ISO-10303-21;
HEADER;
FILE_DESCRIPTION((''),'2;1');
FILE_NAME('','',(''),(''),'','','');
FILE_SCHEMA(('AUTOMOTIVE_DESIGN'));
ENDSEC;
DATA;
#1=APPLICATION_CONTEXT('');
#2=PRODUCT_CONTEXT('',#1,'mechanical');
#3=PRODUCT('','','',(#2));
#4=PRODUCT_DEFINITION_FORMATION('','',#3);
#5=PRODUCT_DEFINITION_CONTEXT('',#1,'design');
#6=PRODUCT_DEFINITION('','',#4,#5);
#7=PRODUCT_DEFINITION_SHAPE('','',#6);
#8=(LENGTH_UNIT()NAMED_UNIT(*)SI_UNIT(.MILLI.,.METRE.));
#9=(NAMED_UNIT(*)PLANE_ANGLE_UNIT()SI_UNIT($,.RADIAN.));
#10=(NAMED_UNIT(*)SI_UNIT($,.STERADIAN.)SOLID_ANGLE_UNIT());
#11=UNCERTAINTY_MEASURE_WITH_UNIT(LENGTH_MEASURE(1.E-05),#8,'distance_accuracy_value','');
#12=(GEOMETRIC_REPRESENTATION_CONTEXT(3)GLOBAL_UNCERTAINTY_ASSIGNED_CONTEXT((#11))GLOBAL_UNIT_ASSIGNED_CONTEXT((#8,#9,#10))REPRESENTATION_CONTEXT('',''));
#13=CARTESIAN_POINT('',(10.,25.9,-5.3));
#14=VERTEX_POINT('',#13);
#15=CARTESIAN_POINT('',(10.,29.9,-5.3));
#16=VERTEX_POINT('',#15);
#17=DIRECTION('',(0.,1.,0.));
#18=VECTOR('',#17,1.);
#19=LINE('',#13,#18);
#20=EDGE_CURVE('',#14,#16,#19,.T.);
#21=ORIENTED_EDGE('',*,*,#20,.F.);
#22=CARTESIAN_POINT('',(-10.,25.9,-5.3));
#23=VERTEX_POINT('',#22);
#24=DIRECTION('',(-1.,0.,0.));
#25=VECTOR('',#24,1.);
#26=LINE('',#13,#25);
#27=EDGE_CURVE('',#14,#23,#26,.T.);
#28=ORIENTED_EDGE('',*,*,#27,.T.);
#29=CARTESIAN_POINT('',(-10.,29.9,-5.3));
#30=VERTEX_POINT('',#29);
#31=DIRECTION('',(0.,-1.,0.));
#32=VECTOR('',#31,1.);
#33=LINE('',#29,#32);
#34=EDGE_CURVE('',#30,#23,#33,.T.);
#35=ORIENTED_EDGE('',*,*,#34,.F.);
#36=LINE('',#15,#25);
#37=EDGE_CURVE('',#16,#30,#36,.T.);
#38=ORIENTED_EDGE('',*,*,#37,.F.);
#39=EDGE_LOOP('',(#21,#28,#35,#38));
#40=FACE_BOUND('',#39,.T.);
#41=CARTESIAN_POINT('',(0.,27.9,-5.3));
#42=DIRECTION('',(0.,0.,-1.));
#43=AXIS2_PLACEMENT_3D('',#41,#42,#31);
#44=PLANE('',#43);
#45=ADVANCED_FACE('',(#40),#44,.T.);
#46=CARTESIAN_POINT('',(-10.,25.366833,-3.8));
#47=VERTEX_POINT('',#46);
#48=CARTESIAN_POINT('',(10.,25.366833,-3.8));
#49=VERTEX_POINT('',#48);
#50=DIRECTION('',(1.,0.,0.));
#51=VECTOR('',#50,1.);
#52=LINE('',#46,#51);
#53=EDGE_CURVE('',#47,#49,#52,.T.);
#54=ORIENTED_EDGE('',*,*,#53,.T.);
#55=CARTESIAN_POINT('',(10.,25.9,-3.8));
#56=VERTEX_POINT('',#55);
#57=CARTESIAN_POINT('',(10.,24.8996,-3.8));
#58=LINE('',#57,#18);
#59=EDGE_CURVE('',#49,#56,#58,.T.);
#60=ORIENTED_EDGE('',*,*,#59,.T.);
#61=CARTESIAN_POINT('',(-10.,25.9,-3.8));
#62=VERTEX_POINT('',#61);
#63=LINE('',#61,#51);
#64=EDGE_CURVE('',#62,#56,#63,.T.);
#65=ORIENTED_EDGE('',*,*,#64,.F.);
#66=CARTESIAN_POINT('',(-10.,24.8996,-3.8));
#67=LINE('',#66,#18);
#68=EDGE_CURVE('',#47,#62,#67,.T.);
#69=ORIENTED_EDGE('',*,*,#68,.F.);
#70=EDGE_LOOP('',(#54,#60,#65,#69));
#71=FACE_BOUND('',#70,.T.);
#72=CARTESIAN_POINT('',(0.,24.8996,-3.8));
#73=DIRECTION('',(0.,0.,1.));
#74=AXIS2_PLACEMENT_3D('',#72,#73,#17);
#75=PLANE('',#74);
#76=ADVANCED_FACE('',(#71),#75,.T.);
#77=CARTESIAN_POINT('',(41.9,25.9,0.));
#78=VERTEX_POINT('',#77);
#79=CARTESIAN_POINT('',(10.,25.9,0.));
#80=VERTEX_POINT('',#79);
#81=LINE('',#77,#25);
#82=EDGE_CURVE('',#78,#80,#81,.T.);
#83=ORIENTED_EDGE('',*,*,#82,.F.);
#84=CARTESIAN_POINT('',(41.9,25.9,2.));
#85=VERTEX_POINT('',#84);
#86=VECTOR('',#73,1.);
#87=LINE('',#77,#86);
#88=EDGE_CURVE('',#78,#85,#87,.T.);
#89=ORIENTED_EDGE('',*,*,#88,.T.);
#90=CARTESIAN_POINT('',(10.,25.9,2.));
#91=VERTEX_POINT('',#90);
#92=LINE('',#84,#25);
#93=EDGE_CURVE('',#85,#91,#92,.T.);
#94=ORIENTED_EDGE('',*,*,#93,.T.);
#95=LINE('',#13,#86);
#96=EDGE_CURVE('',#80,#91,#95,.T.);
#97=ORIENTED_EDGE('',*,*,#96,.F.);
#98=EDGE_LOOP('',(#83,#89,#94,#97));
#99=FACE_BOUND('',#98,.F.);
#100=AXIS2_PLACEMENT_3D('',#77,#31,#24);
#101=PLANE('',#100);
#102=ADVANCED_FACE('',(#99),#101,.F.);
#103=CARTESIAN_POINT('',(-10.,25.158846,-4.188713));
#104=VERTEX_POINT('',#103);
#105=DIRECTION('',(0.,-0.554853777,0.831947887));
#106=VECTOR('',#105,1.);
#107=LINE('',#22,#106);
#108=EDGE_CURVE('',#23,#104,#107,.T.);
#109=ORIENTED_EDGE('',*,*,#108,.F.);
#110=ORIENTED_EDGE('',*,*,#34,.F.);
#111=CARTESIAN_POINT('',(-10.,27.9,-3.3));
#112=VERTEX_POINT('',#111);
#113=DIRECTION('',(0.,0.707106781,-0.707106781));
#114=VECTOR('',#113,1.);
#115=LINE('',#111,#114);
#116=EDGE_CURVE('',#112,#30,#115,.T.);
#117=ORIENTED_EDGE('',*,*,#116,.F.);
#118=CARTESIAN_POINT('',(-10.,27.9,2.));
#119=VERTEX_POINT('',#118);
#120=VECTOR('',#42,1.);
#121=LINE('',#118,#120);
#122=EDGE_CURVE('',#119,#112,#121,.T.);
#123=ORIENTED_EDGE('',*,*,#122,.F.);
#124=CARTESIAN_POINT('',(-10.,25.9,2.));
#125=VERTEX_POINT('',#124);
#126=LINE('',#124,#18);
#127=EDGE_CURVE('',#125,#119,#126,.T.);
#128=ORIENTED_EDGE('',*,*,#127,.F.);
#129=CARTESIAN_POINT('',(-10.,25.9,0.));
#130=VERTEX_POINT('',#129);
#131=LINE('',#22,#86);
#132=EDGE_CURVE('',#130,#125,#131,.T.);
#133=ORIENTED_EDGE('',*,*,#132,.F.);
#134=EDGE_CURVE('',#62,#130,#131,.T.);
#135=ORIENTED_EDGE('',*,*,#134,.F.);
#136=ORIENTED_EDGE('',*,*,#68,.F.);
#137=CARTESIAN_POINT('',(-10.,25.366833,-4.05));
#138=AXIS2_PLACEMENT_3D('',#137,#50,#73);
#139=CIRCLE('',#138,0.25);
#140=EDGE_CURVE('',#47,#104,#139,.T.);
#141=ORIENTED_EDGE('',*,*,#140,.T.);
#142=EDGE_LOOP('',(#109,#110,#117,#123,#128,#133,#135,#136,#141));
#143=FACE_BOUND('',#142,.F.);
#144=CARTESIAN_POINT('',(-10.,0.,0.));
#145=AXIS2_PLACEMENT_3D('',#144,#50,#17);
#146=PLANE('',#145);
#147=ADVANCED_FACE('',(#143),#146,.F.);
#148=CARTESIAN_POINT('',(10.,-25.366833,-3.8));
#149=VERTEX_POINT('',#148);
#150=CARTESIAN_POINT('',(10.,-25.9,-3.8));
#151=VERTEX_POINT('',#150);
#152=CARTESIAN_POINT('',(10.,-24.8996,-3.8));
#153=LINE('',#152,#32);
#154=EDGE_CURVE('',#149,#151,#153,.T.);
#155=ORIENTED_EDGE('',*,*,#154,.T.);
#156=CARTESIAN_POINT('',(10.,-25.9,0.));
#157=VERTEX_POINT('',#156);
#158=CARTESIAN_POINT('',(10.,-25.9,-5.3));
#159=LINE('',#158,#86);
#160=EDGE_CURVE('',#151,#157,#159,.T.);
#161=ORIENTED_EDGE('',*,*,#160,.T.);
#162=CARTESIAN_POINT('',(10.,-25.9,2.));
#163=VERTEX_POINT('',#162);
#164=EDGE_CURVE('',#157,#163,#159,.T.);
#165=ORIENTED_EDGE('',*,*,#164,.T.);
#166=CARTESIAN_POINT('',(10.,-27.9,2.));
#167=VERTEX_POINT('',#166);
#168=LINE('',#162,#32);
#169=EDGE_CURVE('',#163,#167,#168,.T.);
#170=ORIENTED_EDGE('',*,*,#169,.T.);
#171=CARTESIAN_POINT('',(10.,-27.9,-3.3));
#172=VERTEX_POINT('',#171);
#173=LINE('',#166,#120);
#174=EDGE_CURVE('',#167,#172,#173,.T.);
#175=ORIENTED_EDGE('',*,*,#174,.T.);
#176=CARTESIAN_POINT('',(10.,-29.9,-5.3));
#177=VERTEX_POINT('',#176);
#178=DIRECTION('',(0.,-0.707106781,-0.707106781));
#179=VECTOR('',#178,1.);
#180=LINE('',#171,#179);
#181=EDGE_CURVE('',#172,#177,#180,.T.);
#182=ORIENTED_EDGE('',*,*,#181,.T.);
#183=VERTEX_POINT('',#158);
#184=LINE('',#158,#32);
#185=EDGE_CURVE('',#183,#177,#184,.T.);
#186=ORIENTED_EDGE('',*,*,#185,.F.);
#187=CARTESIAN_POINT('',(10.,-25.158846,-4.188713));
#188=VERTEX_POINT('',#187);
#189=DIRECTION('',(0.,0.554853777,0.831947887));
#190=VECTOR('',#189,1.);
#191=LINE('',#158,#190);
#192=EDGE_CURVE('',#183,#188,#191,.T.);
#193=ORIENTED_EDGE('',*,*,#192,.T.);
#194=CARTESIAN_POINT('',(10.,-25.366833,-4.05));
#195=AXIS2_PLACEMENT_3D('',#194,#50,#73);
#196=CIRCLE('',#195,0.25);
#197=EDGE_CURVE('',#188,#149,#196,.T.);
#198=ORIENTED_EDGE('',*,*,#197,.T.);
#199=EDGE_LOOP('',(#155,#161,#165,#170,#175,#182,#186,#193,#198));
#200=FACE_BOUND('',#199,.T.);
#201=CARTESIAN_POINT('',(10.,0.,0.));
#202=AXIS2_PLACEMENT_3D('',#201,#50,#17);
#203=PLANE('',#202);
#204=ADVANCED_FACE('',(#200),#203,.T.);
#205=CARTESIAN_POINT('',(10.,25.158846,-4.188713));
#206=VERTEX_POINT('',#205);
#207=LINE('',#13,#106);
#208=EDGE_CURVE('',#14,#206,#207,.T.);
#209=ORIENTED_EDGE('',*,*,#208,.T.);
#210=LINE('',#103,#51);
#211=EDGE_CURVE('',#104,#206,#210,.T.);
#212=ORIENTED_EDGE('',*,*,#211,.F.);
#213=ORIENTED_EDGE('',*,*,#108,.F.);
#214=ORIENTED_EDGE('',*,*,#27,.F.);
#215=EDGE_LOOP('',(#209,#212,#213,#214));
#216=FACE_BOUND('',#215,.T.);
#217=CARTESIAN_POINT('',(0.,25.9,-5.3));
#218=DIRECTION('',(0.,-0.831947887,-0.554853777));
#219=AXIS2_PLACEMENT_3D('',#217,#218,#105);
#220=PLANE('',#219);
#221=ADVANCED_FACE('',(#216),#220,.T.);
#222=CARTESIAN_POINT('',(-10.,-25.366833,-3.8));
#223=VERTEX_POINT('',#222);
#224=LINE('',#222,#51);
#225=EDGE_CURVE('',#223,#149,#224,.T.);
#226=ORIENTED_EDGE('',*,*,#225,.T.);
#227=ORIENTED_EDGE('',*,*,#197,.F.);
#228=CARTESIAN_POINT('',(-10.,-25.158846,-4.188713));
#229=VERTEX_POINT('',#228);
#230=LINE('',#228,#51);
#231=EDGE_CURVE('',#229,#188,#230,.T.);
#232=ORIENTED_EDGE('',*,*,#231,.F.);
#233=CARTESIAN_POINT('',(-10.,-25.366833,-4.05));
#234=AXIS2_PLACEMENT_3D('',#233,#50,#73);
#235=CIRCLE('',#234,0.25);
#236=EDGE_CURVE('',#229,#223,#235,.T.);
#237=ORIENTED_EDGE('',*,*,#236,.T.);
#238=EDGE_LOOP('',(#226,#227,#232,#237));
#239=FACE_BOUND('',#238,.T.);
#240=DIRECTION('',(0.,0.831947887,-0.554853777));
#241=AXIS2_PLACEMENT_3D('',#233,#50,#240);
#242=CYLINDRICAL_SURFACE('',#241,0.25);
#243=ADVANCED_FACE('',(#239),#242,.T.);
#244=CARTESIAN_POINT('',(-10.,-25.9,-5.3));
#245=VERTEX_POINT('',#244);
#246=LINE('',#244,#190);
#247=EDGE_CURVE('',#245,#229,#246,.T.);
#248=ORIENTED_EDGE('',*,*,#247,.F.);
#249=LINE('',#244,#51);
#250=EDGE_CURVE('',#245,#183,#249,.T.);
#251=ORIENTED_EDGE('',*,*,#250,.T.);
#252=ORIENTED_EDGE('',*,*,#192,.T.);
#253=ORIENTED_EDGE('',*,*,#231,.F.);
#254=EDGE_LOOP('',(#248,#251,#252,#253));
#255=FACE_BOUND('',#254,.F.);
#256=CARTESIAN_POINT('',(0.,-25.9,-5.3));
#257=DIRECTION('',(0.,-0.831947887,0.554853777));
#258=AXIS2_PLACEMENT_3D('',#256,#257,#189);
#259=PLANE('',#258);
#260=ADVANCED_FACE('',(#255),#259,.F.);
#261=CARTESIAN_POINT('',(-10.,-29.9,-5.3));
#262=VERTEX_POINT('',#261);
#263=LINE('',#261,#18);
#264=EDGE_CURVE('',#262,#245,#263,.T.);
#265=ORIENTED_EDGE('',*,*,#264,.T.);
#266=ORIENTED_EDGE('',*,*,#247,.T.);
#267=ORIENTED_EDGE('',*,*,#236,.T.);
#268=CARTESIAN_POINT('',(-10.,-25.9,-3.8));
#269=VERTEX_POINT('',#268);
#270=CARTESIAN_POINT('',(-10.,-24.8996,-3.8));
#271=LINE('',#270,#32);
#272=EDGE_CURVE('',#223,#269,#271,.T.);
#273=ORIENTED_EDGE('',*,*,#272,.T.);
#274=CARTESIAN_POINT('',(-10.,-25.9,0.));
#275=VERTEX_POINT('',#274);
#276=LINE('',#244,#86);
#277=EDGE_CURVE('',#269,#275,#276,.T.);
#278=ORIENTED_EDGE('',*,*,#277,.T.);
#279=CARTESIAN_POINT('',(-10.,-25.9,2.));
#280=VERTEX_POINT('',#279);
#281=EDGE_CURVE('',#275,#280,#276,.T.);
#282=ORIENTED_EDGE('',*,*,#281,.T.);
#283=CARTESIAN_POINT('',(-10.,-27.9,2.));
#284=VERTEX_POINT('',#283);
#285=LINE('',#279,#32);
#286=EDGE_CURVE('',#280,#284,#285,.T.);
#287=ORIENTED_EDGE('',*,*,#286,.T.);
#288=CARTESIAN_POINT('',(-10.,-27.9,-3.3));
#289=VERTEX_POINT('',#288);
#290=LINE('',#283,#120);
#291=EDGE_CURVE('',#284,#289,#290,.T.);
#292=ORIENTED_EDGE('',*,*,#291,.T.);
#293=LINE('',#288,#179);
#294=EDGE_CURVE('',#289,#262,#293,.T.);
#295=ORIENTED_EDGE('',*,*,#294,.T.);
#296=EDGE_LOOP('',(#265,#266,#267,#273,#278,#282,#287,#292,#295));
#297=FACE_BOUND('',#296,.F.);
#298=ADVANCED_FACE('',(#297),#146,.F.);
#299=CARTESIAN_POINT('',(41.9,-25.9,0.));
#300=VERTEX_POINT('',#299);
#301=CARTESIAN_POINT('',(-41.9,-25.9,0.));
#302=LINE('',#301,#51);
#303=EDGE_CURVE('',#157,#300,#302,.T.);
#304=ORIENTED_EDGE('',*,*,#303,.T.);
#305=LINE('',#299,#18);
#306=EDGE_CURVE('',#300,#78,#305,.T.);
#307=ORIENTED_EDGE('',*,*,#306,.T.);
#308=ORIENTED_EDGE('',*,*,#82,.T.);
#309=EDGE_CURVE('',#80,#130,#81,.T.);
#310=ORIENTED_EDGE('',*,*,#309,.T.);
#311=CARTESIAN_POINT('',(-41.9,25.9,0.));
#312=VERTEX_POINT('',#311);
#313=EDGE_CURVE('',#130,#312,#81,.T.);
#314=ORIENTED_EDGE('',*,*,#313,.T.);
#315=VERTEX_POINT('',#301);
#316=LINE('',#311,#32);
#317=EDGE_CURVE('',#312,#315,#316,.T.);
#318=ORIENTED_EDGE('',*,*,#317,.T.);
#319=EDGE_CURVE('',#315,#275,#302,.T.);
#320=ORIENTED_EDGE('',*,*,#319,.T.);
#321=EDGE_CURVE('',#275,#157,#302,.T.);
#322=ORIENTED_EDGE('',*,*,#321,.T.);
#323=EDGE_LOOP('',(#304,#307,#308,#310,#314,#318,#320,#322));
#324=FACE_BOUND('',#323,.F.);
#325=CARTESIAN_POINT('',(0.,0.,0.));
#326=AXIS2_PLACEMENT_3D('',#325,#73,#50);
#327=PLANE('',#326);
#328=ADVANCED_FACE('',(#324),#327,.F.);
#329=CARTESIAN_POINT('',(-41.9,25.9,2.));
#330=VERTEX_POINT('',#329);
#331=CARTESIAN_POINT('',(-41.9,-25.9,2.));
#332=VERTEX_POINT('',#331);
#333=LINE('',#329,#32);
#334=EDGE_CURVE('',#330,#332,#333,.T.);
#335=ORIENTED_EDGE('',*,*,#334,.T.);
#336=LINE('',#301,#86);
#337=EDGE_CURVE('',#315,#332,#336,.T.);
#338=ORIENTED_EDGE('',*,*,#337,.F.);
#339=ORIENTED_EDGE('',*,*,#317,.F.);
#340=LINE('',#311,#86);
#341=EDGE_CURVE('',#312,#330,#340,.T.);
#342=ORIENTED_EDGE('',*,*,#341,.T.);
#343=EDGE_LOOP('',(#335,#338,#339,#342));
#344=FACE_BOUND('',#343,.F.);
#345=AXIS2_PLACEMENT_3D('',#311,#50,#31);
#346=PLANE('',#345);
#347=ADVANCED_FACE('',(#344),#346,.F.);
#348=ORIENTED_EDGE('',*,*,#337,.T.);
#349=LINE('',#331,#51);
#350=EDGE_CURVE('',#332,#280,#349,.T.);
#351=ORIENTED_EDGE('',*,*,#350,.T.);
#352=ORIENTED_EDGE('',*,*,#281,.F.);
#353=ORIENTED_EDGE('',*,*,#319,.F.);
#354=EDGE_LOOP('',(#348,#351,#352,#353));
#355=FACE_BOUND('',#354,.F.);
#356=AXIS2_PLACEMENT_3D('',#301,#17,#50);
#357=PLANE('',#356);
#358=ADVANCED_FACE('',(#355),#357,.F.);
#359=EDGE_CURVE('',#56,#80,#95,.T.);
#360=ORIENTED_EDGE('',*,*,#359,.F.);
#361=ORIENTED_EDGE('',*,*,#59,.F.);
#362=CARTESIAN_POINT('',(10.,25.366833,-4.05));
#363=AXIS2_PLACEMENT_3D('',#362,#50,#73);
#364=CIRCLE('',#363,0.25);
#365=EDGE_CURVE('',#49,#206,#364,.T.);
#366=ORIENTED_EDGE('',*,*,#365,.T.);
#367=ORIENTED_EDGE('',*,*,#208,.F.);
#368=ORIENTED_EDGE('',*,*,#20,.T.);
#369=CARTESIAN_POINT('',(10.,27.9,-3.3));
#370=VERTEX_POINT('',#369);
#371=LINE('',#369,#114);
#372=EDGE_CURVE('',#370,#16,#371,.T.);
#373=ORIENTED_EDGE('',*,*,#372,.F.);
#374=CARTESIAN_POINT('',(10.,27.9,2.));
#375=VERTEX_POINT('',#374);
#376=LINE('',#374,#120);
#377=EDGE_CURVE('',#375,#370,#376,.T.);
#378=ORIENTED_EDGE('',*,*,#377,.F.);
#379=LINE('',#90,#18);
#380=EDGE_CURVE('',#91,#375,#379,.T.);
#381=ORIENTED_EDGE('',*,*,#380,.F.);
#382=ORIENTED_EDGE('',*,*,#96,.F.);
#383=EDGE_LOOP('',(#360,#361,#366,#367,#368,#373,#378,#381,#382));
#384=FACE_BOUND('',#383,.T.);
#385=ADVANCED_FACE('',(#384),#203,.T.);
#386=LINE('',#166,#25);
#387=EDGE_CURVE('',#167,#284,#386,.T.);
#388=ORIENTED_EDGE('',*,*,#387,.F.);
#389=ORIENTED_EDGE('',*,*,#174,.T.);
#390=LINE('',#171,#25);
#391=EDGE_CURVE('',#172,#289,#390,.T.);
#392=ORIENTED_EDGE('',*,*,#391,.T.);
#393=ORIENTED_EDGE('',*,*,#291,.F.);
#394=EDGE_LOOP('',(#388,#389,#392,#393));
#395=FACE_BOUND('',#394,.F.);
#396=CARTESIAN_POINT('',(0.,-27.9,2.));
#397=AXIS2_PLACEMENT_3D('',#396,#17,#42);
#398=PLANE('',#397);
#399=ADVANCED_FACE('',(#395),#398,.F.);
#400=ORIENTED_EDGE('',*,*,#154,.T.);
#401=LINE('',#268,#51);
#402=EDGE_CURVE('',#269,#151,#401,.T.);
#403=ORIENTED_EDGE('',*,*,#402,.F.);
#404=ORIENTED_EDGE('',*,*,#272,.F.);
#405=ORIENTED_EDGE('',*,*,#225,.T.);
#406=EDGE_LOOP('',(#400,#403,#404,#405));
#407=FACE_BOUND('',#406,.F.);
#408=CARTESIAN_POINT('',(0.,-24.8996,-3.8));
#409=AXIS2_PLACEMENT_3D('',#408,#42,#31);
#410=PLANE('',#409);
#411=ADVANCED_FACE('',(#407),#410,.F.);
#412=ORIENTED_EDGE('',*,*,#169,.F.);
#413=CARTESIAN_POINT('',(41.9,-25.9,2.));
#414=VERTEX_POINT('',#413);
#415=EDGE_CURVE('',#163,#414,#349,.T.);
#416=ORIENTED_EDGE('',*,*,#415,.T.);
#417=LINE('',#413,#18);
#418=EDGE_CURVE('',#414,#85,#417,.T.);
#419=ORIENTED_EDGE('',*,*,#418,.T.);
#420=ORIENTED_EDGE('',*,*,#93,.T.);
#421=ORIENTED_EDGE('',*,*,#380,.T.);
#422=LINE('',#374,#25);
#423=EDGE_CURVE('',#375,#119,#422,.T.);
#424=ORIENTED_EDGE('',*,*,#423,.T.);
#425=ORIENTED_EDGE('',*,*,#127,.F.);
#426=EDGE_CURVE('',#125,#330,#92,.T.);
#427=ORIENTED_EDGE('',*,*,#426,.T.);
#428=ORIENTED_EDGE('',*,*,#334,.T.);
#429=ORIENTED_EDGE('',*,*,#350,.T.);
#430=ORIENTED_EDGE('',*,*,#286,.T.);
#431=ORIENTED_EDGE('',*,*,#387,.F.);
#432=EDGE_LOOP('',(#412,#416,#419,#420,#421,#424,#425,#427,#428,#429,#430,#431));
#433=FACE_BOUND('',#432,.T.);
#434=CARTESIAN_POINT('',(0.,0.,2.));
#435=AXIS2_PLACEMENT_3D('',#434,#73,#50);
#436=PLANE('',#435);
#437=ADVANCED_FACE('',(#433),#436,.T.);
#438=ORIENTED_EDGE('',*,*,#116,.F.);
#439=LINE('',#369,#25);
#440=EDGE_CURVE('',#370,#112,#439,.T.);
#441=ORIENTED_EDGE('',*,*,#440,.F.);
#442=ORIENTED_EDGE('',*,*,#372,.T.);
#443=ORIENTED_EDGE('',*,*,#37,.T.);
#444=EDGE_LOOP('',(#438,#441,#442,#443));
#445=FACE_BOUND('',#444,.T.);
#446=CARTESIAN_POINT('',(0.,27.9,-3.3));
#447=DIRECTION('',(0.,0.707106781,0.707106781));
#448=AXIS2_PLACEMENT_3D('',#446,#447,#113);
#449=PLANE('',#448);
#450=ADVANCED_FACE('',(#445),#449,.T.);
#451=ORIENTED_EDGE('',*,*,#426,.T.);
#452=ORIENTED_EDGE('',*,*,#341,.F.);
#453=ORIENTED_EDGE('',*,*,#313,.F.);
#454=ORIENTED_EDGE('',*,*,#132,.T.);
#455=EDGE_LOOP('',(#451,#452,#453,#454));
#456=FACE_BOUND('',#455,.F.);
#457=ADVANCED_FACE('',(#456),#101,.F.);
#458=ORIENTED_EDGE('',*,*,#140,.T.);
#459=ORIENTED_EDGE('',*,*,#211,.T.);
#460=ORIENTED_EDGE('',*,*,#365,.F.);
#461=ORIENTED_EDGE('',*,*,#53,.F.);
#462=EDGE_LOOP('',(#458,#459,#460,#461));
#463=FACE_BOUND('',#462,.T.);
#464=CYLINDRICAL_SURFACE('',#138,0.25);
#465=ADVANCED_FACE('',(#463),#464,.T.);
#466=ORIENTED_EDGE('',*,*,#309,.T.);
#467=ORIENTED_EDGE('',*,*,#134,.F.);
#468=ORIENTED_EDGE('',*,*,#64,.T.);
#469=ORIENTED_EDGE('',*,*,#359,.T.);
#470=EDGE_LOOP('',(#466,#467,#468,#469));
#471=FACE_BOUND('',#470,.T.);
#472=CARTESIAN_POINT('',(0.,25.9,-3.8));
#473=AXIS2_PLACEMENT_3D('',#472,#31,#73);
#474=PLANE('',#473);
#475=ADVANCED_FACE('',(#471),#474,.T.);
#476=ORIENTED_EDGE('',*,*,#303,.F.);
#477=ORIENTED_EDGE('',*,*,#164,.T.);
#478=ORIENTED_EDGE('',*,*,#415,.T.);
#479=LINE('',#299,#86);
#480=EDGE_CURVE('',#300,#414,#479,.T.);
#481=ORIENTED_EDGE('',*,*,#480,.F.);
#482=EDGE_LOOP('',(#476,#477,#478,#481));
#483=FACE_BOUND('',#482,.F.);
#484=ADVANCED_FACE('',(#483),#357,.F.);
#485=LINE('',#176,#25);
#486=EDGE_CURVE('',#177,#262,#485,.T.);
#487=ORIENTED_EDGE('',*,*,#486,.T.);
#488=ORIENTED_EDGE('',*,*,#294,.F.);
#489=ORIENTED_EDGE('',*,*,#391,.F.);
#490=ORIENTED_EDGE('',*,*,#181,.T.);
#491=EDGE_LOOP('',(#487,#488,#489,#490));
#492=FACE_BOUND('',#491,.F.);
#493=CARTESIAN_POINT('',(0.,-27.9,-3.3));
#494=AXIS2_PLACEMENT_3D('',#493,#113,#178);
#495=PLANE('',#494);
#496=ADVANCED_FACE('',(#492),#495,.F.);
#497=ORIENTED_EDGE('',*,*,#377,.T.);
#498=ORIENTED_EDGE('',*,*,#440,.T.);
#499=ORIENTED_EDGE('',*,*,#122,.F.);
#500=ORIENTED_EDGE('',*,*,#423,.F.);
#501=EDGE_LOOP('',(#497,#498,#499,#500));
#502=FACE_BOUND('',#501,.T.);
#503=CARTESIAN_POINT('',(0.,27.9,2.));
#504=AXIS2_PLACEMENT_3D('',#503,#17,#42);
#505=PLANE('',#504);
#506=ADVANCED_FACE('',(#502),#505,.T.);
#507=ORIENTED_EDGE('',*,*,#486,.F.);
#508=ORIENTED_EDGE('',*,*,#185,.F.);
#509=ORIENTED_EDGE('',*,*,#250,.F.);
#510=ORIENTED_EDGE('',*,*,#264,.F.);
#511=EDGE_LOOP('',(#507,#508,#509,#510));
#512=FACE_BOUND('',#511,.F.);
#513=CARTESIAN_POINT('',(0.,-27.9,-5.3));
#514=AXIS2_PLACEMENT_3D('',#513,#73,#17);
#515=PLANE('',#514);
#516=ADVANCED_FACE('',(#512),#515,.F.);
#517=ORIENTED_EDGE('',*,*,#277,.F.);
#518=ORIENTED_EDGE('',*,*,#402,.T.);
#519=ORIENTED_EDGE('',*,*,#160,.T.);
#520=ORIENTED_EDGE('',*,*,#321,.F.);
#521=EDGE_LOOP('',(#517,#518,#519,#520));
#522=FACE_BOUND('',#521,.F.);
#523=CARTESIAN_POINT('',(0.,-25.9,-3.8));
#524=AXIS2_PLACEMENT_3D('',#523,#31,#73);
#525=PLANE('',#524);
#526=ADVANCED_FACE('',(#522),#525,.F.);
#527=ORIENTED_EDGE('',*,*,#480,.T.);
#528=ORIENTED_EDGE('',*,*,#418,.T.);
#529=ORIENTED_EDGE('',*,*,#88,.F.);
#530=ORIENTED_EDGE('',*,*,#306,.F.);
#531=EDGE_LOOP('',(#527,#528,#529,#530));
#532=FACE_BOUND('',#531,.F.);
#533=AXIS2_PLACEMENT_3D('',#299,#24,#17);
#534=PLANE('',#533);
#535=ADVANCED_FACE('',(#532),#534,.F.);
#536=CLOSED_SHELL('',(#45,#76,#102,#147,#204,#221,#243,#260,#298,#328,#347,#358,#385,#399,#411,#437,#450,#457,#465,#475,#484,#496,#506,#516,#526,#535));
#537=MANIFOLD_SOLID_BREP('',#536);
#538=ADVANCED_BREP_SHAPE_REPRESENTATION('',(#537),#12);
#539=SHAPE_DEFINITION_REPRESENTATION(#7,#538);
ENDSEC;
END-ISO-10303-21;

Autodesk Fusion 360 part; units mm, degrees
sketch "Boceto1" plane through (0, 0, 0) normal (0, 0, 1) x (1, 0, 0)
  line L0 (41.9, 25.9) -> (-41.9, 25.9)
  line L1 (-41.9, 25.9) -> (-41.9, -25.9)
  line L2 (-41.9, -25.9) -> (41.9, -25.9)
  line L3 (41.9, -25.9) -> (41.9, 25.9)
  line L4 (41.9, 25.9) -> (-41.9, -25.9) construction
  line L5 (-41.9, 25.9) -> (41.9, -25.9) construction
  dimension "d1" = 83.8
  dimension "d2" = 51.8
extrude "Extruir1" add sketch "Boceto1" along normal blind 2
sketch "Boceto4" plane through (0, 0, 0) normal (1, 0, 0) x (0, 1, 0)
  line L0 (25.9, 2) -> (27.9, 2)
  line L1 (27.9, 2) -> (27.9, -5.3)
  line L2 (27.9, -5.3) -> (25.9, -5.3)
  line L3 (25.9, -5.3) -> (25.9, 2)
  line L4 (25.9, -5.3) -> (24.8996, -3.8)
  line L5 (25.9, -5.3) -> (27.703, -5.3) construction
  line L6 (24.8996, -3.8) -> (25.9, -3.8)
  line L7 (27.9, -5.3) -> (29.9, -5.3)
  line L8 (27.9, -5.3) -> (27.9, -3.3)
  line L9 (27.9, -3.3) -> (29.9, -5.3)
  line L10 (0, 7.5) -> (0, -4)
  line L11 (-25.9, -5.3) -> (-25.9, 2)
  line L12 (-25.9, 2) -> (-27.9, 2)
  line L13 (-27.9, 2) -> (-27.9, -5.3)
  line L14 (-27.9, -5.3) -> (-29.9, -5.3)
  line L15 (-27.9, -5.3) -> (-27.9, -3.3)
  line L16 (-27.9, -3.3) -> (-29.9, -5.3)
  line L17 (-24.8996, -3.8) -> (-25.9, -3.8)
  line L18 (-25.9, -5.3) -> (-24.8996, -3.8)
  line L19 (-25.9, -5.3) -> (-27.703, -5.3) construction
  line L20 (-27.9, -5.3) -> (-25.9, -5.3)
  dimension "d20" = 2
  dimension "d21" = 7.3
  dimension "d29" = 1.0004
  dimension "d30" = 1.803
  dimension "d31" = 2
  dimension "d32" = 2
extrude "Extruir5" add sketch "Boceto4" along normal mid plane 20
fillet "Empalme1" radius 0.25 2 edges at (0, 24.8996, -3.8) (0, -24.8996, -3.8)
equation "d21 = 2 mm + 5.3 mm"
